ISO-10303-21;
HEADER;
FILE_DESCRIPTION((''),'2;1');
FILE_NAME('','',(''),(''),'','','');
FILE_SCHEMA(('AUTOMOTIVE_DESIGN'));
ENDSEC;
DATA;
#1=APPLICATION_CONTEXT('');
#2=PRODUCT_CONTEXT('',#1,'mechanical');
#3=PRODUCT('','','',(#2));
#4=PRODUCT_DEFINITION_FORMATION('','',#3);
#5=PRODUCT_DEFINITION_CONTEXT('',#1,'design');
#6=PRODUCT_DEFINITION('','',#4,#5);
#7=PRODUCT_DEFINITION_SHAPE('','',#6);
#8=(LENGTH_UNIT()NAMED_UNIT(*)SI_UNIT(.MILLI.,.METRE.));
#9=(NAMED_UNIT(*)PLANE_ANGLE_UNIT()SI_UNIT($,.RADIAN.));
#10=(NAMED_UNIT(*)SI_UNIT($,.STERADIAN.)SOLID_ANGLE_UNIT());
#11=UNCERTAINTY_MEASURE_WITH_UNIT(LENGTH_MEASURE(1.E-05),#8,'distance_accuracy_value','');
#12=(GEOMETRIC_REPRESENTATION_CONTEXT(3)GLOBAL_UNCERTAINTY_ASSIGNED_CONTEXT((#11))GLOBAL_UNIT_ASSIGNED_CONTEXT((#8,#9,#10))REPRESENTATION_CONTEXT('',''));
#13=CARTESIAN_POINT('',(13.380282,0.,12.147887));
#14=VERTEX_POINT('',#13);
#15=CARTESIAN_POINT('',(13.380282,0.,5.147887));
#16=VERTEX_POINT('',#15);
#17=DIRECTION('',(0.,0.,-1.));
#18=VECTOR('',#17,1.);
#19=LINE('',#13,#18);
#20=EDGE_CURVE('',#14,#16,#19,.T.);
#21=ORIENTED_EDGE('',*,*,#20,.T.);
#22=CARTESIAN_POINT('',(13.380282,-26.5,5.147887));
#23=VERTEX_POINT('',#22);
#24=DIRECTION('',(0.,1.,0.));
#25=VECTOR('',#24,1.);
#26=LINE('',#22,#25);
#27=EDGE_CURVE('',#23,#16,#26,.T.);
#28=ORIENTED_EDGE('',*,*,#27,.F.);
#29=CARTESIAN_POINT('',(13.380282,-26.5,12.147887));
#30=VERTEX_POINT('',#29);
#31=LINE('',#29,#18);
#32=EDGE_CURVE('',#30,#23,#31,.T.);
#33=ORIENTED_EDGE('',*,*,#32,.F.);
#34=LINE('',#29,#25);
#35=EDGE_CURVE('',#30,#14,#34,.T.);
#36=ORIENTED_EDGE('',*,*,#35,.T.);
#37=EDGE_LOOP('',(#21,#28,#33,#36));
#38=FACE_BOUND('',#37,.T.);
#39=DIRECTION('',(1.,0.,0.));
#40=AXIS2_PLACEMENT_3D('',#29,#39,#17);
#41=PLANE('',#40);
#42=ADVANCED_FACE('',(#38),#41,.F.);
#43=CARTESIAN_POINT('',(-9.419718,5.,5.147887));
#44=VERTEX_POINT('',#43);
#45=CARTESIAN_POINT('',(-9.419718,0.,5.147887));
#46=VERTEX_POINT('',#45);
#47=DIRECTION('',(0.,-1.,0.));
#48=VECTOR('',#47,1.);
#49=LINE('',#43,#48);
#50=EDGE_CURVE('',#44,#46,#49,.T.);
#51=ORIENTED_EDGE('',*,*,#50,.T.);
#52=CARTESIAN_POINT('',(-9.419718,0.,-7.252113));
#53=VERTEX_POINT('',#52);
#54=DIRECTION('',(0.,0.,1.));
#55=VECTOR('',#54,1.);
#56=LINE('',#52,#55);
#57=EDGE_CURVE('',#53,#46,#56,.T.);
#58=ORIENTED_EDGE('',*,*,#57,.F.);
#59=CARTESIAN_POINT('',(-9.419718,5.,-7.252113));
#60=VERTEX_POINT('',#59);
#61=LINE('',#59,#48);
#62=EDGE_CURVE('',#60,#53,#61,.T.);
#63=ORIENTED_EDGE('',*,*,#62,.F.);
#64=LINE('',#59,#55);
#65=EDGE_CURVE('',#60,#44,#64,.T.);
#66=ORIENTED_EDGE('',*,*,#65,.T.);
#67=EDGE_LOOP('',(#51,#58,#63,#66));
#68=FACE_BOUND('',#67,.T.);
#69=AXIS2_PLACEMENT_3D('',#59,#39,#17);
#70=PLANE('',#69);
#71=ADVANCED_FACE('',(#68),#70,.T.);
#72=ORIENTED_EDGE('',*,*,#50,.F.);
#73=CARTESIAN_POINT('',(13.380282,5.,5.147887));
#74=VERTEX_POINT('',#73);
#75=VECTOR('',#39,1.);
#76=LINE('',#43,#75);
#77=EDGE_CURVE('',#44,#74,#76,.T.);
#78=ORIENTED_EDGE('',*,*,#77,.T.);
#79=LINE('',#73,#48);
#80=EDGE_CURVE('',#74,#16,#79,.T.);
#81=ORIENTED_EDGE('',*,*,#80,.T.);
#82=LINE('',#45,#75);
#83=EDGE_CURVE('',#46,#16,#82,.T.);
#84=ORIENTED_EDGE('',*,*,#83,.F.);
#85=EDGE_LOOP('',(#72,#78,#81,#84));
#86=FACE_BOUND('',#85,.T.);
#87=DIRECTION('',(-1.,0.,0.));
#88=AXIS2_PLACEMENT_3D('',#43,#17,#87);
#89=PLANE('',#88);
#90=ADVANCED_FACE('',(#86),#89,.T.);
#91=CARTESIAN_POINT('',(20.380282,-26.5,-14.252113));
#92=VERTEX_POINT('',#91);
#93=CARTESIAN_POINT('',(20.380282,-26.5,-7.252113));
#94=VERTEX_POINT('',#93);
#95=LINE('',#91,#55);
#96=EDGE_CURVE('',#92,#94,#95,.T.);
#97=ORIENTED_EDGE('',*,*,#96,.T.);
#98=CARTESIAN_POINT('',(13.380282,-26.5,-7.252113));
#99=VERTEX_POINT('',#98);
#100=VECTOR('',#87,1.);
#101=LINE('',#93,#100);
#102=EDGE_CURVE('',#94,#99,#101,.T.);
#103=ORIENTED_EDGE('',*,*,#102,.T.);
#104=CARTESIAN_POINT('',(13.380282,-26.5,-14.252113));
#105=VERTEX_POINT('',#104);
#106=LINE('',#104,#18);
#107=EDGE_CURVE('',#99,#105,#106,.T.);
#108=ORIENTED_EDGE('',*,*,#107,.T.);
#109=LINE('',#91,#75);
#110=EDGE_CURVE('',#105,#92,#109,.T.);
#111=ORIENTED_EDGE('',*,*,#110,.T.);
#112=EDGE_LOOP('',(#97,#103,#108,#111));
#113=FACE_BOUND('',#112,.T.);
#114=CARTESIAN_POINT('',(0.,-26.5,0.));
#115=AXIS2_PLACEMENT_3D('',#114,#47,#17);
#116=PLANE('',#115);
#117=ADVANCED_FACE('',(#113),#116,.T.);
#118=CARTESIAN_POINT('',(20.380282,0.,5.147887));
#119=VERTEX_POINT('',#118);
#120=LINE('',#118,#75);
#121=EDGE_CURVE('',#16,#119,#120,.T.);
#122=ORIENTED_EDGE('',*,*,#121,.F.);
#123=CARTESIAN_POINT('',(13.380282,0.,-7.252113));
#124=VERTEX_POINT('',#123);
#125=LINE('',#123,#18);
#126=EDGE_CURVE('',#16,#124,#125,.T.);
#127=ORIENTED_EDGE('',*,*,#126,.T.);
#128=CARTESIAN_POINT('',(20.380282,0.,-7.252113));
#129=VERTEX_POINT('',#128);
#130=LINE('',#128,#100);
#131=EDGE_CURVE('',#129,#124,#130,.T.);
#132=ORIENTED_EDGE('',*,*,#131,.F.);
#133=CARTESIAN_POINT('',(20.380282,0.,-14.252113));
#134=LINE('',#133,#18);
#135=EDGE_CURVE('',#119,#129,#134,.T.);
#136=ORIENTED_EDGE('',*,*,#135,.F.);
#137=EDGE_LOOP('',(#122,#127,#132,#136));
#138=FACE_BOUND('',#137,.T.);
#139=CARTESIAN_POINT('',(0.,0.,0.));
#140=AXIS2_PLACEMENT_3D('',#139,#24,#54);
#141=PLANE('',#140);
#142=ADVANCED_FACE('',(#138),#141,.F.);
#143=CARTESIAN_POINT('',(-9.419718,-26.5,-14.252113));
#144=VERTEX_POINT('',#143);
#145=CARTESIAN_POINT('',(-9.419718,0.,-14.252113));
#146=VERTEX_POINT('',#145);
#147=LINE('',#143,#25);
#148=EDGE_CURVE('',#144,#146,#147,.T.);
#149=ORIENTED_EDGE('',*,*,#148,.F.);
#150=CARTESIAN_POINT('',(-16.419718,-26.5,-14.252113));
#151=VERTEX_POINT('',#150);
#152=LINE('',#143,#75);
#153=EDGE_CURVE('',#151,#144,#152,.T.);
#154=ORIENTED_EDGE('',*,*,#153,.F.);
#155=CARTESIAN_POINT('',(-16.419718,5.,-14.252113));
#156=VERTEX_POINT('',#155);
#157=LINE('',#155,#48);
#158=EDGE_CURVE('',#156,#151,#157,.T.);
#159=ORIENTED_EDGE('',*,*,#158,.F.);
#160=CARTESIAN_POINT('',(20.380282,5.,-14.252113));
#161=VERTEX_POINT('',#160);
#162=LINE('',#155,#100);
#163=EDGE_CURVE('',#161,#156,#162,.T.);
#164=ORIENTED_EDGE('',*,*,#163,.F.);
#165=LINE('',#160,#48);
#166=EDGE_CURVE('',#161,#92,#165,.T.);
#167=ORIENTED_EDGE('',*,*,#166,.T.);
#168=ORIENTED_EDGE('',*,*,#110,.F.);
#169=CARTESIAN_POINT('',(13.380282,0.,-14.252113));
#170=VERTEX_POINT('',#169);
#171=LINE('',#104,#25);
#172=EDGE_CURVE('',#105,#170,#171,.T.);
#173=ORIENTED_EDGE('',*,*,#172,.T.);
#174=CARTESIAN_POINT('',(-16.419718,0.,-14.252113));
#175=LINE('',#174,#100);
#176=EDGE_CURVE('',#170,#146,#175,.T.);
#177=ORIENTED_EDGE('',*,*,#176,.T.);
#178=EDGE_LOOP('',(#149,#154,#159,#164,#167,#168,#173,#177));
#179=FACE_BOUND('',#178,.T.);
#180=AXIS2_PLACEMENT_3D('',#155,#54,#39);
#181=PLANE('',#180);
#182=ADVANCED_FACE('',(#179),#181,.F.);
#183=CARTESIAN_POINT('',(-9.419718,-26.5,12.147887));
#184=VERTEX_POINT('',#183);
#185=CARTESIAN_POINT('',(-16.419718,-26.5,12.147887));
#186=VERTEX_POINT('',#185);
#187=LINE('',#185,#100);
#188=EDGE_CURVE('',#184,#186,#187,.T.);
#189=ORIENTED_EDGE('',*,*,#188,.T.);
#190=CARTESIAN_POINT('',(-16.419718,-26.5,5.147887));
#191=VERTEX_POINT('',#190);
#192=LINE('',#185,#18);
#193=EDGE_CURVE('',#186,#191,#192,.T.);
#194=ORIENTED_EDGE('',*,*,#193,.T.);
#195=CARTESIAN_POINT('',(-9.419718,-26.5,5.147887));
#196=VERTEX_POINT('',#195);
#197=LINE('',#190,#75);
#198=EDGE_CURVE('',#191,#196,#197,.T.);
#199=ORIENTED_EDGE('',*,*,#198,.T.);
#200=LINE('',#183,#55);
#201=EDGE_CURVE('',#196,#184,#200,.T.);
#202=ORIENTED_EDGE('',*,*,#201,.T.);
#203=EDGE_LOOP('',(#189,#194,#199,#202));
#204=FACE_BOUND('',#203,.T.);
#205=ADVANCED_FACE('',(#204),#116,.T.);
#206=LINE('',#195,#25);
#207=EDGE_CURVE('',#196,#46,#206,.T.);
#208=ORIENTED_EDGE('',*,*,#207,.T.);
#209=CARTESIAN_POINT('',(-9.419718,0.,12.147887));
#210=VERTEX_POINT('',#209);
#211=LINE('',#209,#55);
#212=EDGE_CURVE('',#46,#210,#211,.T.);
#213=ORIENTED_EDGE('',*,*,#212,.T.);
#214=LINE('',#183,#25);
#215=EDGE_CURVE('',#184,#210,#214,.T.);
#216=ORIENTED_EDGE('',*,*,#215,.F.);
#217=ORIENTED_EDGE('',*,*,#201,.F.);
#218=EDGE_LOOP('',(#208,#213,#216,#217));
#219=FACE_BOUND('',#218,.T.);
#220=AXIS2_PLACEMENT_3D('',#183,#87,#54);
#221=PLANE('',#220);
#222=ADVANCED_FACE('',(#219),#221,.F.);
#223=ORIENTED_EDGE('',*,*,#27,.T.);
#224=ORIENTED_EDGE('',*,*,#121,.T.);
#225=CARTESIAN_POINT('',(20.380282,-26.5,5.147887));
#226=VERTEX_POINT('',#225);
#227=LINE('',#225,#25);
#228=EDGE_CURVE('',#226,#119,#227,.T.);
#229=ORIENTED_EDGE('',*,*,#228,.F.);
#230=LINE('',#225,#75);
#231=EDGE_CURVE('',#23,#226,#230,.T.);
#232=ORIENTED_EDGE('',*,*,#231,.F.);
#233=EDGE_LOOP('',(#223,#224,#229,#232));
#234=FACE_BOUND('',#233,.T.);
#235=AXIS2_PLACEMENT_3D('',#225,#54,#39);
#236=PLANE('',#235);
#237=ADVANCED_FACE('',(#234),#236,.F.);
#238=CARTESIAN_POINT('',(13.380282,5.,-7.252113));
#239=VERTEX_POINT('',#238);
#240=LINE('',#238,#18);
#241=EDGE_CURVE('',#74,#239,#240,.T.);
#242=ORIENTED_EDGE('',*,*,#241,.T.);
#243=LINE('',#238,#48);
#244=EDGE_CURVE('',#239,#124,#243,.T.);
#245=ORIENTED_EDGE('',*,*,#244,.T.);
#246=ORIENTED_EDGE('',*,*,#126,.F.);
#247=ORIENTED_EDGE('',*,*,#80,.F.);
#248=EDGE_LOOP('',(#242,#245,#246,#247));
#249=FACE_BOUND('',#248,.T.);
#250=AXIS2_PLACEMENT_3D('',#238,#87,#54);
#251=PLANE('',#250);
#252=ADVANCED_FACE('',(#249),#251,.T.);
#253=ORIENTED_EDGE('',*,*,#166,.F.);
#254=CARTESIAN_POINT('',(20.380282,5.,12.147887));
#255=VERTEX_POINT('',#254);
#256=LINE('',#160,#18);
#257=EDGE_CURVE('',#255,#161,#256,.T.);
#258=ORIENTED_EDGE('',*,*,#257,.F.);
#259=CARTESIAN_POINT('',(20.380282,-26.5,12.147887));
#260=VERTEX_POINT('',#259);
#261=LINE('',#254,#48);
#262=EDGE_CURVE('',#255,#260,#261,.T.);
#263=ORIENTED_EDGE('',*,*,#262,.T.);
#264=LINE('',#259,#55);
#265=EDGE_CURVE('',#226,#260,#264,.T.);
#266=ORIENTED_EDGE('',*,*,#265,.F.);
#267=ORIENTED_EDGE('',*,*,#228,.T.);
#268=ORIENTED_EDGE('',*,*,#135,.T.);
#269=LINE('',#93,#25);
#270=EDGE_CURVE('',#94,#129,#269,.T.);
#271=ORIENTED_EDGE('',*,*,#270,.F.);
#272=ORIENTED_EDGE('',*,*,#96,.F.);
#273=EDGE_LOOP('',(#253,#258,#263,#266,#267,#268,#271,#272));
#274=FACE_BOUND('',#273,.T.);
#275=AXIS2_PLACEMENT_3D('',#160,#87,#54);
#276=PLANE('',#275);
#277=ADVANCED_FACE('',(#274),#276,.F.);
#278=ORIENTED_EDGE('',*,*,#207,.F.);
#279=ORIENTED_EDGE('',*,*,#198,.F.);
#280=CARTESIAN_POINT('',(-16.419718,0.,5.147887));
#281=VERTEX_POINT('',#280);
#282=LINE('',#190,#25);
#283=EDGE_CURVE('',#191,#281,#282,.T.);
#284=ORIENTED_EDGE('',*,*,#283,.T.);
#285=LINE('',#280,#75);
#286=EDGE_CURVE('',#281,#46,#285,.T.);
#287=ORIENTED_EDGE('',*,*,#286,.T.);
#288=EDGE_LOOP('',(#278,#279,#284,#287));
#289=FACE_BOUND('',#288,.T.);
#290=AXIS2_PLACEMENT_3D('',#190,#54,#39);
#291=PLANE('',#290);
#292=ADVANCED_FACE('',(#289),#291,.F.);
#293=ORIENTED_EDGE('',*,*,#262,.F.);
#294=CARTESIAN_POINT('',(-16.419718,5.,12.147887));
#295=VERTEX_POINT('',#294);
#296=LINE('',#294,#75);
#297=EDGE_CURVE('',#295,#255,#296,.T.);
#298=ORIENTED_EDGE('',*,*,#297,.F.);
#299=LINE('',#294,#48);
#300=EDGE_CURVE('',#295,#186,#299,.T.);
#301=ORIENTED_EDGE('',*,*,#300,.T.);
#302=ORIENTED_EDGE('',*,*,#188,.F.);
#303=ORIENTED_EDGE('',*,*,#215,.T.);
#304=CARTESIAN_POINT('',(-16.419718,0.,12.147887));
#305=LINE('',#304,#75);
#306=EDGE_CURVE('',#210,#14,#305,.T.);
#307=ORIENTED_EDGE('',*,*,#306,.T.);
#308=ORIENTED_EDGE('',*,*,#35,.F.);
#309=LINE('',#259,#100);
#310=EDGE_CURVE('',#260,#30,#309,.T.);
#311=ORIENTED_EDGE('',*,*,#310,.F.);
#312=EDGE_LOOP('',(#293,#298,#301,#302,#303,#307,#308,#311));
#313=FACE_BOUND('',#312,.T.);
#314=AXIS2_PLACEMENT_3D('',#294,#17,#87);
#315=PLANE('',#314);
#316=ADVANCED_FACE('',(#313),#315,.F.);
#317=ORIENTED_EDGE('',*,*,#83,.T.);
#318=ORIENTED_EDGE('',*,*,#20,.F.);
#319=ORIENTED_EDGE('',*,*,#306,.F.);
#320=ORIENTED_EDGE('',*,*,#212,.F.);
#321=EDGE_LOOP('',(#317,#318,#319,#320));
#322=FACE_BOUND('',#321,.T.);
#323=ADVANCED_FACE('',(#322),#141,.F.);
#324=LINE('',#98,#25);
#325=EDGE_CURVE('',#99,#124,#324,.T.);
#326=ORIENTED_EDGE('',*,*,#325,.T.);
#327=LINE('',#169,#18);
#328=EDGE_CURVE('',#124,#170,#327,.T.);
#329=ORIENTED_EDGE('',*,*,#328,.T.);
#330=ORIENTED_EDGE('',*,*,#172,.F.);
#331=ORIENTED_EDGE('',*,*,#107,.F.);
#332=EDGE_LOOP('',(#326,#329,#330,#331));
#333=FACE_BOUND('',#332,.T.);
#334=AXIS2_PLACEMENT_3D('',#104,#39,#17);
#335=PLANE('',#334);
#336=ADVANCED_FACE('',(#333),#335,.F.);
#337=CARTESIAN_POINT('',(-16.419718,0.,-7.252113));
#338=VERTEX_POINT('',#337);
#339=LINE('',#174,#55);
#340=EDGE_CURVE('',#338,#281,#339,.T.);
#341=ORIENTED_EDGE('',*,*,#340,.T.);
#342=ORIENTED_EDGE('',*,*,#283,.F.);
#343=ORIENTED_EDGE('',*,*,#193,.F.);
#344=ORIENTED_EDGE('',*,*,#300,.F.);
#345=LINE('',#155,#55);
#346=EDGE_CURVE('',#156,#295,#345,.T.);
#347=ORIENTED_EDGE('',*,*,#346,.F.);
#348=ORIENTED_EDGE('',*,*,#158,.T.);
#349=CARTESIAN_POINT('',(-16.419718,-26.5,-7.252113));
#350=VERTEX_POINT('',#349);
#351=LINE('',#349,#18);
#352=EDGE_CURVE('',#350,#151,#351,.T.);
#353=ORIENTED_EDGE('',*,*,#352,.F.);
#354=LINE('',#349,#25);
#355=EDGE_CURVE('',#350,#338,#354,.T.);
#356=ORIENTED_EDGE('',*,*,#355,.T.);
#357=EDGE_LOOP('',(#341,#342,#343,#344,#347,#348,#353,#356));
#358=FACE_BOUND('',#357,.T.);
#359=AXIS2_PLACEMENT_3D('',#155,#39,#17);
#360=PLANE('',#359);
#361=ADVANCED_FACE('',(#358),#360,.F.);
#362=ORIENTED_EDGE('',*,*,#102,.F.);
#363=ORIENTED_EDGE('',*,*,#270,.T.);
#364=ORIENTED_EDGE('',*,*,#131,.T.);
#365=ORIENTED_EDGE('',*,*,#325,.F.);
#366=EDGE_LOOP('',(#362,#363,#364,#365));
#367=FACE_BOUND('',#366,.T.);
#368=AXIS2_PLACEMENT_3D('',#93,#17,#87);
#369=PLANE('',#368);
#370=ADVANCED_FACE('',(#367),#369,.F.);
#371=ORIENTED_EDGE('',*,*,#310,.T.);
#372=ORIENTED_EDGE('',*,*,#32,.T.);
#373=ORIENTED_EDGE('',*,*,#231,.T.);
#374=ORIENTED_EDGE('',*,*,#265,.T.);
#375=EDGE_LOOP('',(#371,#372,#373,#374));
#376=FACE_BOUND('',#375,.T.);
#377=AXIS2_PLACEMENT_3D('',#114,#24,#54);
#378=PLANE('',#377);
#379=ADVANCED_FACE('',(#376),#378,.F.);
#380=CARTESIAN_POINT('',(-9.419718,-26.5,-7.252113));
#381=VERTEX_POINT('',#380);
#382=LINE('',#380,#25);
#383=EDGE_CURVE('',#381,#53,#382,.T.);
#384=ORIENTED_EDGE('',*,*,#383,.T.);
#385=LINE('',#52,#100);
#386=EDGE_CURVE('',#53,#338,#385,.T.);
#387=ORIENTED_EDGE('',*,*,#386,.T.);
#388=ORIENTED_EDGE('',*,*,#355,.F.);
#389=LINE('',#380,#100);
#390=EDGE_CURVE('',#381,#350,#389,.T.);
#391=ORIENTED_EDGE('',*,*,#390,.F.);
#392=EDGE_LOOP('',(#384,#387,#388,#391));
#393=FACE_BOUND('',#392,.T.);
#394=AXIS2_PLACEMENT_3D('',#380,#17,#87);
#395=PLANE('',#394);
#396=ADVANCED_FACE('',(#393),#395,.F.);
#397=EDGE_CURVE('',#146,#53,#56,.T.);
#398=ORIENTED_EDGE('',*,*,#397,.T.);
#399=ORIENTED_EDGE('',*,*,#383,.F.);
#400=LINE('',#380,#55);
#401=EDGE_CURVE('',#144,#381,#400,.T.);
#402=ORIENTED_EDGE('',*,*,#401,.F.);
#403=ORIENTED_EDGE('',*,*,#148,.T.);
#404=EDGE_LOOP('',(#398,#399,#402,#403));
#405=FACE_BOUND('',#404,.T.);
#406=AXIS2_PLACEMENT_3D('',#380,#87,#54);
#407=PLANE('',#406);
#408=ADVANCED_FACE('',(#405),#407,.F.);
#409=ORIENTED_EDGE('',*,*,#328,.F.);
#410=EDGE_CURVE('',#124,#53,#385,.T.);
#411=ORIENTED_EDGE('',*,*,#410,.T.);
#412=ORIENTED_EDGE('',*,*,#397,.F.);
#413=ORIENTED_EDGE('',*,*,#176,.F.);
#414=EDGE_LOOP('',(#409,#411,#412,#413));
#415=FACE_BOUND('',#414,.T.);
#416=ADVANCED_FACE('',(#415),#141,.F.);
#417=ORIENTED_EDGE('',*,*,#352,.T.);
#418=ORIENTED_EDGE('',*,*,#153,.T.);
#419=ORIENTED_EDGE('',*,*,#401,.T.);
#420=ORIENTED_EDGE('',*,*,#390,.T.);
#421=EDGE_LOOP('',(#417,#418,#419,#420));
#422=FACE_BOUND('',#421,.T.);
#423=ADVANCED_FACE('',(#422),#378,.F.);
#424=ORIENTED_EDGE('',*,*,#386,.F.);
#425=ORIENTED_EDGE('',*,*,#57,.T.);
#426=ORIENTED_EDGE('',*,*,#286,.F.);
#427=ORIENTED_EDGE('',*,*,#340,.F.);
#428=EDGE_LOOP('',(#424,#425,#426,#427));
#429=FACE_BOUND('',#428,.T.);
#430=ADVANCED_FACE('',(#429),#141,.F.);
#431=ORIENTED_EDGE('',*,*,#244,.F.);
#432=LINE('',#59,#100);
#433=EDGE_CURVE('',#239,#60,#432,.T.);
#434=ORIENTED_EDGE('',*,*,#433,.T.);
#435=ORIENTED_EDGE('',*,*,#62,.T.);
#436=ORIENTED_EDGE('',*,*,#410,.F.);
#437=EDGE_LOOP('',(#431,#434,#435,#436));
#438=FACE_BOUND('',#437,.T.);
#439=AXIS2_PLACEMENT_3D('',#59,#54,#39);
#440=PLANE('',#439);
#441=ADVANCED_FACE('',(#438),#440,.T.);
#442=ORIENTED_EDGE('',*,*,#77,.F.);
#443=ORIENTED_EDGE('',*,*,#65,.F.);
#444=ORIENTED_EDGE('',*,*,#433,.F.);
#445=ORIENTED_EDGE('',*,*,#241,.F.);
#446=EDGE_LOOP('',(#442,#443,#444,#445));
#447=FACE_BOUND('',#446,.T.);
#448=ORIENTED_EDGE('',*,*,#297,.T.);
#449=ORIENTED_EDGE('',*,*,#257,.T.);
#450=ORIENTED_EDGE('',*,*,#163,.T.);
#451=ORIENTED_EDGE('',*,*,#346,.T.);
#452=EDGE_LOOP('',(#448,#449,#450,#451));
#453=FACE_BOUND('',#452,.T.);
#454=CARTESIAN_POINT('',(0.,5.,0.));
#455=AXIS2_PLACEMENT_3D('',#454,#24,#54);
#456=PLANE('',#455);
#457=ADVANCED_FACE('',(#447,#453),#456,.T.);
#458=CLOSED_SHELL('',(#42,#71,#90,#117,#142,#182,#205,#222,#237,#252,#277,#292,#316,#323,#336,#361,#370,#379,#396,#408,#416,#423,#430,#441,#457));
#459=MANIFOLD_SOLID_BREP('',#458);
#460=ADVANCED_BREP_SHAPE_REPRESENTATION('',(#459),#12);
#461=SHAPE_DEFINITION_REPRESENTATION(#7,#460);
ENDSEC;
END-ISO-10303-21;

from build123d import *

# Parameters (mm, degrees)
SKETCH1_W           = 36.8
SKETCH1_H           = 26.4
SKETCH1_W_2         = 22.8
SKETCH1_H_2         = 12.4
BOSS_EXTRUDE1_DEPTH = 5
SKETCH2_W           = 7
SKETCH2_H           = 7
BOSS_EXTRUDE2_DEPTH = 26.5


with BuildPart() as part:
    # Sketch1 → Boss-Extrude1 (new body)
    with BuildSketch(Plane(origin=(0, 0, 0), x_dir=(1, 0, 0), z_dir=(0, 1, 0))):
        with Locations((1.98028169, 1.052112676)):
            Rectangle(SKETCH1_W, SKETCH1_H)
        with Locations((1.98028169, 1.052112676)):
            Rectangle(SKETCH1_W_2, SKETCH1_H_2, mode=Mode.SUBTRACT)
    extrude(amount=BOSS_EXTRUDE1_DEPTH)

    # Sketch2 → Boss-Extrude2 (add)
    with BuildSketch(Plane.XZ):
        with Locations((16.88028169, -10.752112676)):
            Rectangle(SKETCH2_W, SKETCH2_H)
        with Locations((-12.91971831, -10.752112676)):
            Rectangle(SKETCH2_W, SKETCH2_H)
        with Locations((-12.91971831, 8.647887324)):
            Rectangle(SKETCH2_W, SKETCH2_H)
        with Locations((16.88028169, 8.647887324)):
            Rectangle(SKETCH2_W, SKETCH2_H)
    extrude(amount=BOSS_EXTRUDE2_DEPTH)


solid = part.part
